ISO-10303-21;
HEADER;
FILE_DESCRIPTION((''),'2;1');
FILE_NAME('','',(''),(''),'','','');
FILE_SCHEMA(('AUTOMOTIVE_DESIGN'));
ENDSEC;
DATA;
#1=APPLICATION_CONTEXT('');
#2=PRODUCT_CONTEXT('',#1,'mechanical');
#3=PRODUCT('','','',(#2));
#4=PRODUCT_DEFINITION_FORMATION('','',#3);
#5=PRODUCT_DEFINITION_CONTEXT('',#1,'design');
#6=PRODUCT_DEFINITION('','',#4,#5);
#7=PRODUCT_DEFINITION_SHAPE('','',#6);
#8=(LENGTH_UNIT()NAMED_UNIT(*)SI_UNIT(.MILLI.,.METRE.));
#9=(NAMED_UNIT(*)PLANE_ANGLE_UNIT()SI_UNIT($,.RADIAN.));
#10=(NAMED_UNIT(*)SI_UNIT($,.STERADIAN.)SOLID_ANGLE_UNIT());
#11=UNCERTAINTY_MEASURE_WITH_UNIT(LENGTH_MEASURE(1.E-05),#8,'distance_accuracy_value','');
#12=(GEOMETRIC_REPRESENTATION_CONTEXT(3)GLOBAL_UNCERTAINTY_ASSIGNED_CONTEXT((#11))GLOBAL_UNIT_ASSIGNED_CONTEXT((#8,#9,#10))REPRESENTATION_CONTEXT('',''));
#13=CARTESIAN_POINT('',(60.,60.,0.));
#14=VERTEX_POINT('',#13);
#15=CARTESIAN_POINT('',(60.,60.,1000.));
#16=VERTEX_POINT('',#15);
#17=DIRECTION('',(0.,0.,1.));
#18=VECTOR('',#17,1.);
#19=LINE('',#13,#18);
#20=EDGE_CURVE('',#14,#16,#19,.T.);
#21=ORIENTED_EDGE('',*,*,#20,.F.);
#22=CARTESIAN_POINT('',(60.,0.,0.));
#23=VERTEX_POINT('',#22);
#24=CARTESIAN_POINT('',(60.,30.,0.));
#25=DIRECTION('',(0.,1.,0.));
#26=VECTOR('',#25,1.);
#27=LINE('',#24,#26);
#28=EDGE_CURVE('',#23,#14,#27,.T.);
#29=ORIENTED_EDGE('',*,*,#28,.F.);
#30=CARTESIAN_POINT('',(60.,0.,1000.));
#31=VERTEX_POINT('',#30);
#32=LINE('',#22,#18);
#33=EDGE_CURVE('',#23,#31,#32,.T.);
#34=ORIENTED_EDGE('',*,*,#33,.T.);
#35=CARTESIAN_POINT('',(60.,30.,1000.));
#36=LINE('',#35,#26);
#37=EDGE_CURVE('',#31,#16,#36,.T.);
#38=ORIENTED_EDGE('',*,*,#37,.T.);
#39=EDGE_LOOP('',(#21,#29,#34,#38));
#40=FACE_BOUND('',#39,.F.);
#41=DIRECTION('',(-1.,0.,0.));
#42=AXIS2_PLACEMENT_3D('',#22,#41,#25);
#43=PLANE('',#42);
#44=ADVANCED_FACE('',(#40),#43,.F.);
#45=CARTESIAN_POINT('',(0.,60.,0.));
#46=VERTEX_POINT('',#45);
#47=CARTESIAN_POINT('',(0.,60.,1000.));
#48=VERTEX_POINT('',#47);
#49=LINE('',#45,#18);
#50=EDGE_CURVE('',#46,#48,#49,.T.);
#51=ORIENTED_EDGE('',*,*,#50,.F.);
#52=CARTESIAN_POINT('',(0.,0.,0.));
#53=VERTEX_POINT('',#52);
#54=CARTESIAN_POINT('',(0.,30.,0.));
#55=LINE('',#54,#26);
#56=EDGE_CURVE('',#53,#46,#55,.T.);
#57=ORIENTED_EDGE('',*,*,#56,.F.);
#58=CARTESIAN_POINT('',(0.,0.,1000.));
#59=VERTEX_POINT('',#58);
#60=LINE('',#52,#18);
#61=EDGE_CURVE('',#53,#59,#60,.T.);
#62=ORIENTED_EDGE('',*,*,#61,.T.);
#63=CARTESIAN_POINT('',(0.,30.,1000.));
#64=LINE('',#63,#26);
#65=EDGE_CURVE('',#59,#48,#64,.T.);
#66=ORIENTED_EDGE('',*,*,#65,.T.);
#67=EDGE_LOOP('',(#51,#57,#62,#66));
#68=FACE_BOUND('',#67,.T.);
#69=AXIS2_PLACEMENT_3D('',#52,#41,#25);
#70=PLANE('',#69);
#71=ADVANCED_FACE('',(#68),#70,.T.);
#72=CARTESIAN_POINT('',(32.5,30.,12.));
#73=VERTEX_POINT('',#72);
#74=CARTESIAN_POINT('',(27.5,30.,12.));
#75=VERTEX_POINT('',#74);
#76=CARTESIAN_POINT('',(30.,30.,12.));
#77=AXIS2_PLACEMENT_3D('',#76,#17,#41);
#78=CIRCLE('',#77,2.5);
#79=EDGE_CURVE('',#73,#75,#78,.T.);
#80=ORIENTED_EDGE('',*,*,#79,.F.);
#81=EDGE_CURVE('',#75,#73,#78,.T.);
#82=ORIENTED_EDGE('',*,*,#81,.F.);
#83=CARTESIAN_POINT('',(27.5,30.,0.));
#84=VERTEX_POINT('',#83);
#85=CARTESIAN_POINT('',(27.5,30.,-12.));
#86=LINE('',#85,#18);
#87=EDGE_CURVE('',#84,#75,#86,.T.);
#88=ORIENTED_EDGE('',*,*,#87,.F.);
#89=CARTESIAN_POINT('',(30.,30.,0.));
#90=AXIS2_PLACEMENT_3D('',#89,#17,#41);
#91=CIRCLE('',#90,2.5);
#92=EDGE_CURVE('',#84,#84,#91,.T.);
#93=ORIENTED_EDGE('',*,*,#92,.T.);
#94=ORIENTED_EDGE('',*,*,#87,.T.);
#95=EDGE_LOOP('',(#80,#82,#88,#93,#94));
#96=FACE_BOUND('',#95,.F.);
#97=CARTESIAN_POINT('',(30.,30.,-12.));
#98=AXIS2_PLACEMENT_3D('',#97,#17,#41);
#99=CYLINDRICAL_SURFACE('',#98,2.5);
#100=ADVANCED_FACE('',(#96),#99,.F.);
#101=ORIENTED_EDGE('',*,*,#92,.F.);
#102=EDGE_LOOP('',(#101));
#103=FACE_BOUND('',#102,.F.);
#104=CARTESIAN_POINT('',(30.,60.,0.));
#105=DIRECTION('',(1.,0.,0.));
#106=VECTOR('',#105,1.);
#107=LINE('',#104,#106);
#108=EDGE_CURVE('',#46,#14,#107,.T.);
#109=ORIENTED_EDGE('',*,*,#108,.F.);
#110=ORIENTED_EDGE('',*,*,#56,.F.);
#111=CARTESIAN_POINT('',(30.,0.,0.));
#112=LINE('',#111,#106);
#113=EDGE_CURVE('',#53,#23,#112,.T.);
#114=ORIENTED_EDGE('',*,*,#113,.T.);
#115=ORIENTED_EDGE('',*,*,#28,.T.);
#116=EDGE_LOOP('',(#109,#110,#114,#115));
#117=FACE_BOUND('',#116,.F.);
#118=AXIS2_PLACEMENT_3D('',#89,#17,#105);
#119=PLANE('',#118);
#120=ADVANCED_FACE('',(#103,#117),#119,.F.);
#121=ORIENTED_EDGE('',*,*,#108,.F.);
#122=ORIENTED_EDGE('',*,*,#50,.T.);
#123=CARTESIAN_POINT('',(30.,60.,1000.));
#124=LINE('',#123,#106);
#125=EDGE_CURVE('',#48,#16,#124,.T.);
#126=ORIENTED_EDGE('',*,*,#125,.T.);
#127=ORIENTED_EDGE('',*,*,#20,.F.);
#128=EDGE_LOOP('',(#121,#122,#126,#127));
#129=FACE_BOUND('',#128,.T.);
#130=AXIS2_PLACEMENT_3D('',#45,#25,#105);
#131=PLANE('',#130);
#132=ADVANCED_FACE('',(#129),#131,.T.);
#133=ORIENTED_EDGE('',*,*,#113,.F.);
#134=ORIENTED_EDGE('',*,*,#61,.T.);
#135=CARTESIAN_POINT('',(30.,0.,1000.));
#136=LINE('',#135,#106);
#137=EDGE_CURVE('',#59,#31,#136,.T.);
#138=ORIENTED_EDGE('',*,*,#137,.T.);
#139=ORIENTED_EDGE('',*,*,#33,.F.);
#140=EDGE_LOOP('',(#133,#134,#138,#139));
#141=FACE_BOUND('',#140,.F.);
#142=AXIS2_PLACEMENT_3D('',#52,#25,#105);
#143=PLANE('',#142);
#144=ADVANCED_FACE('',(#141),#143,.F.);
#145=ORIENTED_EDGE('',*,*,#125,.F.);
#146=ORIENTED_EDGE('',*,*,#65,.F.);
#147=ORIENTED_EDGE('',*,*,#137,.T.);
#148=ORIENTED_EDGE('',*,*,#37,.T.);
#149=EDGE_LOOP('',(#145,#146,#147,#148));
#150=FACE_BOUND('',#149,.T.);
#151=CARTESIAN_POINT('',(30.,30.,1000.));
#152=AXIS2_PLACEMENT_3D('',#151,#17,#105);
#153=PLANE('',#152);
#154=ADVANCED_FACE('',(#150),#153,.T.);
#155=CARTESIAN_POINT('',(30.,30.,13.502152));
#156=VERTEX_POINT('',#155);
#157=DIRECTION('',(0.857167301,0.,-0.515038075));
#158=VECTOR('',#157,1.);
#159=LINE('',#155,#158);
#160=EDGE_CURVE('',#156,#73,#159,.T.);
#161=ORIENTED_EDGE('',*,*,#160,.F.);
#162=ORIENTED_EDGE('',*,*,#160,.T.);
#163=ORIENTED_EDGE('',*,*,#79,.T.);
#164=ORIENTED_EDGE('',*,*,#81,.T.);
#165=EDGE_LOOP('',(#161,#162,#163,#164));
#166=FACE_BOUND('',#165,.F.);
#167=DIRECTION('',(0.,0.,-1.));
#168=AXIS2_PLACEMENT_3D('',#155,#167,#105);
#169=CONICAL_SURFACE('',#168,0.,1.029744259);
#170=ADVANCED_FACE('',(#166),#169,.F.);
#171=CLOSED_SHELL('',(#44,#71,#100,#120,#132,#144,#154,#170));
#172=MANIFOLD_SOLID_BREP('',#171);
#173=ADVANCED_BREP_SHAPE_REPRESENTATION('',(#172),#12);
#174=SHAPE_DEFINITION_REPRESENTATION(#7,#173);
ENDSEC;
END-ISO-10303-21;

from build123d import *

# Parameters (mm, degrees)
F3_W     = 60
F3_H     = 60
F4_DEPTH = 1000
F6_D     = 5
F6_DEPTH = 12
F6_TIP   = 1.5021515476


with BuildPart() as f4:
    # F3 (on Top) → F4 (new body)
    with BuildSketch(Plane.XY):
        with Locations((30, 30)):
            Rectangle(F3_W, F3_H)
    extrude(amount=F4_DEPTH)

    # F6
    with Locations(Plane(origin=(0, 0, 0), x_dir=(1, 0, 0), z_dir=(0, 0, -1))):
        with Locations((30, -30)):
            Hole(F6_D / 2, depth=F6_DEPTH)
            with Locations((0, 0, -(F6_DEPTH + F6_TIP / 2))):  # 118° drill point
                Cone(0, F6_D / 2, F6_TIP, mode=Mode.SUBTRACT)


solid = f4.part
